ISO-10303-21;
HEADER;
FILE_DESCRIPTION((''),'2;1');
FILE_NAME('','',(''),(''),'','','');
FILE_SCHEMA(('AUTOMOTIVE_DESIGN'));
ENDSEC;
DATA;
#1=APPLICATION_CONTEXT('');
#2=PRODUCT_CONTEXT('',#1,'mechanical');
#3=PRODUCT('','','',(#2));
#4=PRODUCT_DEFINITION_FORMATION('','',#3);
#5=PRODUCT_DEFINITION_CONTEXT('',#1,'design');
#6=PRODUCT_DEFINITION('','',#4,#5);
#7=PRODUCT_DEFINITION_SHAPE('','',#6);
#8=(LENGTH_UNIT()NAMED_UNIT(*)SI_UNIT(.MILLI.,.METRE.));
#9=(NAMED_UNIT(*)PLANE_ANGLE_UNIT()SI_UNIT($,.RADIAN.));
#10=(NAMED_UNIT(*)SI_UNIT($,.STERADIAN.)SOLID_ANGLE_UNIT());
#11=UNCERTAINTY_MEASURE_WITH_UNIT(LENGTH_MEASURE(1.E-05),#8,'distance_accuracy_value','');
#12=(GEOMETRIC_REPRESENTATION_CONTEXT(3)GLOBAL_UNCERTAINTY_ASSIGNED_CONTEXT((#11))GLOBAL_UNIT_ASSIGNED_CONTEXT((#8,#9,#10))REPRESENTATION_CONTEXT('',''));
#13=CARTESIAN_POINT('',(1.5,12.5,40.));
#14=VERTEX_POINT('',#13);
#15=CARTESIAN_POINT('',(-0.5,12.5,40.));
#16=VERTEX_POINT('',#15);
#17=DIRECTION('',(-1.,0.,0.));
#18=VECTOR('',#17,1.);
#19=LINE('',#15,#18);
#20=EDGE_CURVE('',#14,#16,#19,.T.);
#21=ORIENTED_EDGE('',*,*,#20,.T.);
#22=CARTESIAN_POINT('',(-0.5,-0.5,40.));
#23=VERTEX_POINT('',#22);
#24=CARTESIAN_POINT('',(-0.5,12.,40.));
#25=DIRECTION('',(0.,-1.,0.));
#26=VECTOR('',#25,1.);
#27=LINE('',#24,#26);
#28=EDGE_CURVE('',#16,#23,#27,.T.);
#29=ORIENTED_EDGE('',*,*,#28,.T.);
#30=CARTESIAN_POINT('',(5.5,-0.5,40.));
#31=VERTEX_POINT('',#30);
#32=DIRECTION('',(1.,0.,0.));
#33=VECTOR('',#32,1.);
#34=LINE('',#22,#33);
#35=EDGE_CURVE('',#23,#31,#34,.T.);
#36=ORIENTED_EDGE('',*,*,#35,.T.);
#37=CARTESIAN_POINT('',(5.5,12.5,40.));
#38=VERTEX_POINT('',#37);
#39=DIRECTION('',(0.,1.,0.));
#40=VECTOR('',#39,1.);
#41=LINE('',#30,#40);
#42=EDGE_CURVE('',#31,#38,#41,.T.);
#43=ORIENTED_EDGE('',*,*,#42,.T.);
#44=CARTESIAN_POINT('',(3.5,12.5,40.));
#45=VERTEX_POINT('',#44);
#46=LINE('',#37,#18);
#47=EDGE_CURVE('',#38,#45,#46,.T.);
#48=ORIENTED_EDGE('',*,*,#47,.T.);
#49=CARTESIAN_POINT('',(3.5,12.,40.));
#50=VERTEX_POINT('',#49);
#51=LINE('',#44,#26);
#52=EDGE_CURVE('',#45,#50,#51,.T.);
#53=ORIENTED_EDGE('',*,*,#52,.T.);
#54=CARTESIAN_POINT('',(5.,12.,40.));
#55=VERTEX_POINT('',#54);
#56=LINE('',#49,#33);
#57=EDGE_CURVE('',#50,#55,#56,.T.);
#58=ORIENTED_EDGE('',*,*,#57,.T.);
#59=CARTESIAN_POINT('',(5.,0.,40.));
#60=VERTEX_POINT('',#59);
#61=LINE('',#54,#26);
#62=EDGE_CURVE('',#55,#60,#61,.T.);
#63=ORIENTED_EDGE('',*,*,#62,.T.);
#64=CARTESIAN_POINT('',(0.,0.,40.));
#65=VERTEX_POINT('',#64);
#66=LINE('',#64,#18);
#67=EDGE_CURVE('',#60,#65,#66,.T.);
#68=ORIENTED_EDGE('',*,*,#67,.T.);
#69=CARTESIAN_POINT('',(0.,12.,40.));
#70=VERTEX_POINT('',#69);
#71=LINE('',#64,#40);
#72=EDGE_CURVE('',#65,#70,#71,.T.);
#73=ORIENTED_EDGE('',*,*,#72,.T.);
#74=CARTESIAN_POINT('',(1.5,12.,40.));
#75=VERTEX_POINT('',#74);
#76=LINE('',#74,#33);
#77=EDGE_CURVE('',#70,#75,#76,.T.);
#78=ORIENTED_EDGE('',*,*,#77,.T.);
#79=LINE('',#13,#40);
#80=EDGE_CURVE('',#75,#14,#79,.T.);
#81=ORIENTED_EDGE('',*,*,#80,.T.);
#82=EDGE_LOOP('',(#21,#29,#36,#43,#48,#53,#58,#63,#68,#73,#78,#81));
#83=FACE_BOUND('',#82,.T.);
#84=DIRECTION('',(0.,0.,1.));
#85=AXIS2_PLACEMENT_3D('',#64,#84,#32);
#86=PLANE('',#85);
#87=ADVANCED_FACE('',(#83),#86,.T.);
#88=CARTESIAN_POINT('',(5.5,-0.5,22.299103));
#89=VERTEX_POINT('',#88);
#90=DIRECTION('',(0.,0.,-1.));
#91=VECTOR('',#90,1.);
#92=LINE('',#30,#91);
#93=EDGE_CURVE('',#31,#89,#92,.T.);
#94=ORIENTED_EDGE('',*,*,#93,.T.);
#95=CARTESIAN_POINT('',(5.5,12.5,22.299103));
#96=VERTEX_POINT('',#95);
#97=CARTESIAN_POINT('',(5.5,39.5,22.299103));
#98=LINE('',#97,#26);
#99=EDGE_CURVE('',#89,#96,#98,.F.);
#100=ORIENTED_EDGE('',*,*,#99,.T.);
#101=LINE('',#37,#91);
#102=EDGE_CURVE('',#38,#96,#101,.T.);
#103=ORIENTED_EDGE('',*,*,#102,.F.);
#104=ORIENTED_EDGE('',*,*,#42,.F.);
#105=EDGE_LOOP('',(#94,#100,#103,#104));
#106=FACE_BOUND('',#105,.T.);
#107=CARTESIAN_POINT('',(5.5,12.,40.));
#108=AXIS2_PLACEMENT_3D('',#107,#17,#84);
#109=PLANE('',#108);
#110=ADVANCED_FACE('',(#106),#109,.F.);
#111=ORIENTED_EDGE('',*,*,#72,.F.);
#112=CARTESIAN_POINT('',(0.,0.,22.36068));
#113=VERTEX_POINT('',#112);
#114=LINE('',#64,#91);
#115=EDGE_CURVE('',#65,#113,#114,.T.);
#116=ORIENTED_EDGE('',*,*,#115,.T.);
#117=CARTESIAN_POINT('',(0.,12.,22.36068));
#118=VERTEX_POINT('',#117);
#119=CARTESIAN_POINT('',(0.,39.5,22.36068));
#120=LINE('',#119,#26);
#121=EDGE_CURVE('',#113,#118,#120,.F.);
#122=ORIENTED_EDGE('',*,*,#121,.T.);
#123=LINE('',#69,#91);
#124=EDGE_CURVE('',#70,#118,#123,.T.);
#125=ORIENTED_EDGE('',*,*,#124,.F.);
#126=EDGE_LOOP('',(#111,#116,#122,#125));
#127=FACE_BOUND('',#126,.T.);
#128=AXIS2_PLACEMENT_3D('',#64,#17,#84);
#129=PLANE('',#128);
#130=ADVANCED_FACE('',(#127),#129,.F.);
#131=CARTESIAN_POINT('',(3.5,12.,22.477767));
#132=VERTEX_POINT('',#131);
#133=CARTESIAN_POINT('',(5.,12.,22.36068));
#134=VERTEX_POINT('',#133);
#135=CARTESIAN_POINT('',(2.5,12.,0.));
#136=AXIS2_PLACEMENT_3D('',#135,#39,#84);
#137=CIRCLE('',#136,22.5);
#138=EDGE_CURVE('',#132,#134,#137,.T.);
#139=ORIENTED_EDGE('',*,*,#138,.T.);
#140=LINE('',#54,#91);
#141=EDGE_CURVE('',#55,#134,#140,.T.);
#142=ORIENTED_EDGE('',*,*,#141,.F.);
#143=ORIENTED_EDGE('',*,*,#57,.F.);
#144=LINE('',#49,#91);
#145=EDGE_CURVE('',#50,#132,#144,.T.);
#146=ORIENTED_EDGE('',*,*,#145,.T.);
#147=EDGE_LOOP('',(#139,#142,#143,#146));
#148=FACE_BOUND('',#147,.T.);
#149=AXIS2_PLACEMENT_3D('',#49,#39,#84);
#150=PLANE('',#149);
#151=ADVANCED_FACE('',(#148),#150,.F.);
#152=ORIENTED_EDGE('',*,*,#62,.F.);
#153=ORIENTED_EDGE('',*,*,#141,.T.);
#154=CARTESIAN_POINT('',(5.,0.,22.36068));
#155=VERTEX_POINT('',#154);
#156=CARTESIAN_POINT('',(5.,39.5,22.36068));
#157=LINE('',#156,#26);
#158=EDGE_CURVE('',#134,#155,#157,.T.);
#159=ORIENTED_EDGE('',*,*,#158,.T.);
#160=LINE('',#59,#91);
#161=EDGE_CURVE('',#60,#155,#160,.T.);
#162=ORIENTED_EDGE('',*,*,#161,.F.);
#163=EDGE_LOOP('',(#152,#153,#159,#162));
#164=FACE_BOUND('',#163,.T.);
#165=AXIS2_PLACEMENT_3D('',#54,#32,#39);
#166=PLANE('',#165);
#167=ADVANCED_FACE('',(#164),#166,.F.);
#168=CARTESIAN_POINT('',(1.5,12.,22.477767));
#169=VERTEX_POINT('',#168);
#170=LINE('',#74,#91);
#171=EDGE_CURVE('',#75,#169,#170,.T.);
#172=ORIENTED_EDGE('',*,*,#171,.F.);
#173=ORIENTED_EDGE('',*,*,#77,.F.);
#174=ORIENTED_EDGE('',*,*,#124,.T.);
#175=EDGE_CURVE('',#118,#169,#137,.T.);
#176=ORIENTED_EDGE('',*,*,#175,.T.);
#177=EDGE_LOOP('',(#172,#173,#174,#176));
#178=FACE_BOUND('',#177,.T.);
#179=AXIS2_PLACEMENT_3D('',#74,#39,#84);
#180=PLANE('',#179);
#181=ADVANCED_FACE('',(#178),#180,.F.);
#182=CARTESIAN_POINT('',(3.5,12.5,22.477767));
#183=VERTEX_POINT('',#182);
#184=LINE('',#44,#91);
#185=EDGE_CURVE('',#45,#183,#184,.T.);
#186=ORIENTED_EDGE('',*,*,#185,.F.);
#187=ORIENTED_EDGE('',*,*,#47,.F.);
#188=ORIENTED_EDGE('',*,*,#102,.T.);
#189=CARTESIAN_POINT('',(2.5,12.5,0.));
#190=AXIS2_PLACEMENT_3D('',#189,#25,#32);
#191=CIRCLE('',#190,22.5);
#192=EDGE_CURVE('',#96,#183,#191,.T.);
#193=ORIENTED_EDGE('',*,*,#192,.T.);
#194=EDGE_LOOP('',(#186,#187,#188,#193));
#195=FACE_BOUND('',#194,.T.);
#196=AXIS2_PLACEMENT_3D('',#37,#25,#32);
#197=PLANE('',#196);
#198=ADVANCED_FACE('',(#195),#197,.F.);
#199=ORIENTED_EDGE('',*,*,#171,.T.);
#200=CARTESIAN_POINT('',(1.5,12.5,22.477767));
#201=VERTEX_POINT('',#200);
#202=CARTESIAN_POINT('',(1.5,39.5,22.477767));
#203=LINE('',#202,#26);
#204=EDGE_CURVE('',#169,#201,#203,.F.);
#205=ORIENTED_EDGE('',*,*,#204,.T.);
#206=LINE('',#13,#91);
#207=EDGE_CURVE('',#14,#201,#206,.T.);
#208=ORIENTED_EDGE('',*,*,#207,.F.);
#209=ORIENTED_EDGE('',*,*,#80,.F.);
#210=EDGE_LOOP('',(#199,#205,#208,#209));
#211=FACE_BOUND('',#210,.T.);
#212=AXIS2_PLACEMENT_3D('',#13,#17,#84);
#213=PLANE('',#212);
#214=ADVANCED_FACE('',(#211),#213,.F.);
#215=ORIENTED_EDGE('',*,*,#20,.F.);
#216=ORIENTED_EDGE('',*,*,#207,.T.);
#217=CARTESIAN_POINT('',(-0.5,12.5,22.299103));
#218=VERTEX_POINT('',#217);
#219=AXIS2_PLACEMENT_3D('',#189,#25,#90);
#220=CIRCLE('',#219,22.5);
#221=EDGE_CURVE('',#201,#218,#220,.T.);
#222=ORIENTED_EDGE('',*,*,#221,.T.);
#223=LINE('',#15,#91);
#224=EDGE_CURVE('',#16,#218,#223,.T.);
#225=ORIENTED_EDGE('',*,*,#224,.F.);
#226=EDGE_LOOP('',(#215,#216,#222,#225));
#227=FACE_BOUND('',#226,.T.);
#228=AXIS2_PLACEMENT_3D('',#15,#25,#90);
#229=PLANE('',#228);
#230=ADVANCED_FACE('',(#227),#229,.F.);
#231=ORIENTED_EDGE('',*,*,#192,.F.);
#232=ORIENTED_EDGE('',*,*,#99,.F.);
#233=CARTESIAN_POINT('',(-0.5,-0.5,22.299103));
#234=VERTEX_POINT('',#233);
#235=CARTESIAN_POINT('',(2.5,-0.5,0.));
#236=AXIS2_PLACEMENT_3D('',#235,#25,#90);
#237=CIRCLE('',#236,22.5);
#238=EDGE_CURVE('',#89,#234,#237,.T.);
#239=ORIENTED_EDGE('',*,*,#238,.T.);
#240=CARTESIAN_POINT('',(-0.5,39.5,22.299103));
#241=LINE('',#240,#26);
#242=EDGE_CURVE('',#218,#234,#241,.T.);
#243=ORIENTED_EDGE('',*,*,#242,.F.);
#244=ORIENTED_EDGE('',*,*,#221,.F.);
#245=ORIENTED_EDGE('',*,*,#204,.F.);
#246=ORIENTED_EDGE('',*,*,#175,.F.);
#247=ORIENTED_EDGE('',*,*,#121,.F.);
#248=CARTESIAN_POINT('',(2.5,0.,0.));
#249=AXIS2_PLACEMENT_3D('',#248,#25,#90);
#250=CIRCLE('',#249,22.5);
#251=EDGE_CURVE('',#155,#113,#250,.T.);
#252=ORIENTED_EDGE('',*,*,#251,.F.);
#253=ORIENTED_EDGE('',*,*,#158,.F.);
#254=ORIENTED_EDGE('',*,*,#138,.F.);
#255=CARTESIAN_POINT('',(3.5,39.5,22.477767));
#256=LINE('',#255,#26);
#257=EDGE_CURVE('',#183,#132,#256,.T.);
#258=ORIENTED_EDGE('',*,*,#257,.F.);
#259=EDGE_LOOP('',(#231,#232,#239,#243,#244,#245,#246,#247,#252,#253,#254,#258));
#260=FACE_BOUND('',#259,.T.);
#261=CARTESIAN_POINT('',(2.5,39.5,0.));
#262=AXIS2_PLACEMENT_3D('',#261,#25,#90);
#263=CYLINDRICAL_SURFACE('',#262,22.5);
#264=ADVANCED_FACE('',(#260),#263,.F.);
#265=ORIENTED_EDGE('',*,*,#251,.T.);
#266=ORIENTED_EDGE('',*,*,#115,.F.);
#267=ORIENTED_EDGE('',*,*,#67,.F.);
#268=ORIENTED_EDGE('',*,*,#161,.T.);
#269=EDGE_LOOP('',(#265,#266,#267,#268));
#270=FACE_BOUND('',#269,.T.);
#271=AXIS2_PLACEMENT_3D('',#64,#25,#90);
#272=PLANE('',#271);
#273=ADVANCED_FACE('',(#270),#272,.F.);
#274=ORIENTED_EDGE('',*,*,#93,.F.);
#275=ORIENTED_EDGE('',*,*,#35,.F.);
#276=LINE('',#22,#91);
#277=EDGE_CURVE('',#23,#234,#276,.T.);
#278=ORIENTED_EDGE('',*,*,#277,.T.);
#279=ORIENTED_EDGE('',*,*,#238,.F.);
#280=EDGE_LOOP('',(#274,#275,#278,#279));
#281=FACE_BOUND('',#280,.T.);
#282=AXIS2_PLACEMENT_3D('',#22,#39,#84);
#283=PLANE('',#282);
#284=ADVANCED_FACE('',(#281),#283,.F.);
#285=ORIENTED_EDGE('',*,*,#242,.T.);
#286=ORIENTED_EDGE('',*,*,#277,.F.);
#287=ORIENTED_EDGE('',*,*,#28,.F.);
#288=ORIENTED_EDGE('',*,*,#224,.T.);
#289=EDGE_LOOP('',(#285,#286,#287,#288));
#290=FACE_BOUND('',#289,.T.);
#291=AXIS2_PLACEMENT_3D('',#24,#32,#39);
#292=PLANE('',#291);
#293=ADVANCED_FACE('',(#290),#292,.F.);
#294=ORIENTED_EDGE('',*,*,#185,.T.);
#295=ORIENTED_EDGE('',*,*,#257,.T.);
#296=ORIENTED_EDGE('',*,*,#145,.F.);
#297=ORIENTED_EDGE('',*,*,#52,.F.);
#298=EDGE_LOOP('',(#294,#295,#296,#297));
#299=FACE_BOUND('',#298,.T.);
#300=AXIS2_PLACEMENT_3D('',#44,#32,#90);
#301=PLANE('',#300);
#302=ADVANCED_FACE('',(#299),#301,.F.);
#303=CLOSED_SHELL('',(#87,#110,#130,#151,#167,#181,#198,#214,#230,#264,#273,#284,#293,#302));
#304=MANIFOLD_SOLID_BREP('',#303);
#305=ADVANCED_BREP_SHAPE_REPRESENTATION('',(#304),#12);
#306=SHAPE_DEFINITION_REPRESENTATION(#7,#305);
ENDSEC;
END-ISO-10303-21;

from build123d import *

# Parameters (mm, degrees)
EXTRUDE_1_DEPTH     = 40
SKETCH_2_R          = 22.5
CUT_EXTRUDE_1_DEPTH = 40


with BuildPart() as part:
    # ｽｹｯﾁ1 → ﾎﾞｽ - 押し出し1 (new body)
    with BuildSketch(Plane.XY):
        Polygon((0, 0), (5, 0), (5, 12), (3.5, 12), (3.5, 12.5), (5.5, 12.5), (5.5, 12), (5.5, -0.5), (-0.5, -0.5), (-0.5, 12), (-0.5, 12.5), (1.5, 12.5), (1.5, 12), (0, 12), align=None)
    extrude(amount=EXTRUDE_1_DEPTH)

    # ｽｹｯﾁ2 → ｶｯﾄ - 押し出し1 (cut)
    with BuildSketch(Plane.XZ.offset(0.5)):
        with Locations((2.5, 0)):
            Circle(SKETCH_2_R)
    extrude(amount=-CUT_EXTRUDE_1_DEPTH, mode=Mode.SUBTRACT)


solid = part.part
